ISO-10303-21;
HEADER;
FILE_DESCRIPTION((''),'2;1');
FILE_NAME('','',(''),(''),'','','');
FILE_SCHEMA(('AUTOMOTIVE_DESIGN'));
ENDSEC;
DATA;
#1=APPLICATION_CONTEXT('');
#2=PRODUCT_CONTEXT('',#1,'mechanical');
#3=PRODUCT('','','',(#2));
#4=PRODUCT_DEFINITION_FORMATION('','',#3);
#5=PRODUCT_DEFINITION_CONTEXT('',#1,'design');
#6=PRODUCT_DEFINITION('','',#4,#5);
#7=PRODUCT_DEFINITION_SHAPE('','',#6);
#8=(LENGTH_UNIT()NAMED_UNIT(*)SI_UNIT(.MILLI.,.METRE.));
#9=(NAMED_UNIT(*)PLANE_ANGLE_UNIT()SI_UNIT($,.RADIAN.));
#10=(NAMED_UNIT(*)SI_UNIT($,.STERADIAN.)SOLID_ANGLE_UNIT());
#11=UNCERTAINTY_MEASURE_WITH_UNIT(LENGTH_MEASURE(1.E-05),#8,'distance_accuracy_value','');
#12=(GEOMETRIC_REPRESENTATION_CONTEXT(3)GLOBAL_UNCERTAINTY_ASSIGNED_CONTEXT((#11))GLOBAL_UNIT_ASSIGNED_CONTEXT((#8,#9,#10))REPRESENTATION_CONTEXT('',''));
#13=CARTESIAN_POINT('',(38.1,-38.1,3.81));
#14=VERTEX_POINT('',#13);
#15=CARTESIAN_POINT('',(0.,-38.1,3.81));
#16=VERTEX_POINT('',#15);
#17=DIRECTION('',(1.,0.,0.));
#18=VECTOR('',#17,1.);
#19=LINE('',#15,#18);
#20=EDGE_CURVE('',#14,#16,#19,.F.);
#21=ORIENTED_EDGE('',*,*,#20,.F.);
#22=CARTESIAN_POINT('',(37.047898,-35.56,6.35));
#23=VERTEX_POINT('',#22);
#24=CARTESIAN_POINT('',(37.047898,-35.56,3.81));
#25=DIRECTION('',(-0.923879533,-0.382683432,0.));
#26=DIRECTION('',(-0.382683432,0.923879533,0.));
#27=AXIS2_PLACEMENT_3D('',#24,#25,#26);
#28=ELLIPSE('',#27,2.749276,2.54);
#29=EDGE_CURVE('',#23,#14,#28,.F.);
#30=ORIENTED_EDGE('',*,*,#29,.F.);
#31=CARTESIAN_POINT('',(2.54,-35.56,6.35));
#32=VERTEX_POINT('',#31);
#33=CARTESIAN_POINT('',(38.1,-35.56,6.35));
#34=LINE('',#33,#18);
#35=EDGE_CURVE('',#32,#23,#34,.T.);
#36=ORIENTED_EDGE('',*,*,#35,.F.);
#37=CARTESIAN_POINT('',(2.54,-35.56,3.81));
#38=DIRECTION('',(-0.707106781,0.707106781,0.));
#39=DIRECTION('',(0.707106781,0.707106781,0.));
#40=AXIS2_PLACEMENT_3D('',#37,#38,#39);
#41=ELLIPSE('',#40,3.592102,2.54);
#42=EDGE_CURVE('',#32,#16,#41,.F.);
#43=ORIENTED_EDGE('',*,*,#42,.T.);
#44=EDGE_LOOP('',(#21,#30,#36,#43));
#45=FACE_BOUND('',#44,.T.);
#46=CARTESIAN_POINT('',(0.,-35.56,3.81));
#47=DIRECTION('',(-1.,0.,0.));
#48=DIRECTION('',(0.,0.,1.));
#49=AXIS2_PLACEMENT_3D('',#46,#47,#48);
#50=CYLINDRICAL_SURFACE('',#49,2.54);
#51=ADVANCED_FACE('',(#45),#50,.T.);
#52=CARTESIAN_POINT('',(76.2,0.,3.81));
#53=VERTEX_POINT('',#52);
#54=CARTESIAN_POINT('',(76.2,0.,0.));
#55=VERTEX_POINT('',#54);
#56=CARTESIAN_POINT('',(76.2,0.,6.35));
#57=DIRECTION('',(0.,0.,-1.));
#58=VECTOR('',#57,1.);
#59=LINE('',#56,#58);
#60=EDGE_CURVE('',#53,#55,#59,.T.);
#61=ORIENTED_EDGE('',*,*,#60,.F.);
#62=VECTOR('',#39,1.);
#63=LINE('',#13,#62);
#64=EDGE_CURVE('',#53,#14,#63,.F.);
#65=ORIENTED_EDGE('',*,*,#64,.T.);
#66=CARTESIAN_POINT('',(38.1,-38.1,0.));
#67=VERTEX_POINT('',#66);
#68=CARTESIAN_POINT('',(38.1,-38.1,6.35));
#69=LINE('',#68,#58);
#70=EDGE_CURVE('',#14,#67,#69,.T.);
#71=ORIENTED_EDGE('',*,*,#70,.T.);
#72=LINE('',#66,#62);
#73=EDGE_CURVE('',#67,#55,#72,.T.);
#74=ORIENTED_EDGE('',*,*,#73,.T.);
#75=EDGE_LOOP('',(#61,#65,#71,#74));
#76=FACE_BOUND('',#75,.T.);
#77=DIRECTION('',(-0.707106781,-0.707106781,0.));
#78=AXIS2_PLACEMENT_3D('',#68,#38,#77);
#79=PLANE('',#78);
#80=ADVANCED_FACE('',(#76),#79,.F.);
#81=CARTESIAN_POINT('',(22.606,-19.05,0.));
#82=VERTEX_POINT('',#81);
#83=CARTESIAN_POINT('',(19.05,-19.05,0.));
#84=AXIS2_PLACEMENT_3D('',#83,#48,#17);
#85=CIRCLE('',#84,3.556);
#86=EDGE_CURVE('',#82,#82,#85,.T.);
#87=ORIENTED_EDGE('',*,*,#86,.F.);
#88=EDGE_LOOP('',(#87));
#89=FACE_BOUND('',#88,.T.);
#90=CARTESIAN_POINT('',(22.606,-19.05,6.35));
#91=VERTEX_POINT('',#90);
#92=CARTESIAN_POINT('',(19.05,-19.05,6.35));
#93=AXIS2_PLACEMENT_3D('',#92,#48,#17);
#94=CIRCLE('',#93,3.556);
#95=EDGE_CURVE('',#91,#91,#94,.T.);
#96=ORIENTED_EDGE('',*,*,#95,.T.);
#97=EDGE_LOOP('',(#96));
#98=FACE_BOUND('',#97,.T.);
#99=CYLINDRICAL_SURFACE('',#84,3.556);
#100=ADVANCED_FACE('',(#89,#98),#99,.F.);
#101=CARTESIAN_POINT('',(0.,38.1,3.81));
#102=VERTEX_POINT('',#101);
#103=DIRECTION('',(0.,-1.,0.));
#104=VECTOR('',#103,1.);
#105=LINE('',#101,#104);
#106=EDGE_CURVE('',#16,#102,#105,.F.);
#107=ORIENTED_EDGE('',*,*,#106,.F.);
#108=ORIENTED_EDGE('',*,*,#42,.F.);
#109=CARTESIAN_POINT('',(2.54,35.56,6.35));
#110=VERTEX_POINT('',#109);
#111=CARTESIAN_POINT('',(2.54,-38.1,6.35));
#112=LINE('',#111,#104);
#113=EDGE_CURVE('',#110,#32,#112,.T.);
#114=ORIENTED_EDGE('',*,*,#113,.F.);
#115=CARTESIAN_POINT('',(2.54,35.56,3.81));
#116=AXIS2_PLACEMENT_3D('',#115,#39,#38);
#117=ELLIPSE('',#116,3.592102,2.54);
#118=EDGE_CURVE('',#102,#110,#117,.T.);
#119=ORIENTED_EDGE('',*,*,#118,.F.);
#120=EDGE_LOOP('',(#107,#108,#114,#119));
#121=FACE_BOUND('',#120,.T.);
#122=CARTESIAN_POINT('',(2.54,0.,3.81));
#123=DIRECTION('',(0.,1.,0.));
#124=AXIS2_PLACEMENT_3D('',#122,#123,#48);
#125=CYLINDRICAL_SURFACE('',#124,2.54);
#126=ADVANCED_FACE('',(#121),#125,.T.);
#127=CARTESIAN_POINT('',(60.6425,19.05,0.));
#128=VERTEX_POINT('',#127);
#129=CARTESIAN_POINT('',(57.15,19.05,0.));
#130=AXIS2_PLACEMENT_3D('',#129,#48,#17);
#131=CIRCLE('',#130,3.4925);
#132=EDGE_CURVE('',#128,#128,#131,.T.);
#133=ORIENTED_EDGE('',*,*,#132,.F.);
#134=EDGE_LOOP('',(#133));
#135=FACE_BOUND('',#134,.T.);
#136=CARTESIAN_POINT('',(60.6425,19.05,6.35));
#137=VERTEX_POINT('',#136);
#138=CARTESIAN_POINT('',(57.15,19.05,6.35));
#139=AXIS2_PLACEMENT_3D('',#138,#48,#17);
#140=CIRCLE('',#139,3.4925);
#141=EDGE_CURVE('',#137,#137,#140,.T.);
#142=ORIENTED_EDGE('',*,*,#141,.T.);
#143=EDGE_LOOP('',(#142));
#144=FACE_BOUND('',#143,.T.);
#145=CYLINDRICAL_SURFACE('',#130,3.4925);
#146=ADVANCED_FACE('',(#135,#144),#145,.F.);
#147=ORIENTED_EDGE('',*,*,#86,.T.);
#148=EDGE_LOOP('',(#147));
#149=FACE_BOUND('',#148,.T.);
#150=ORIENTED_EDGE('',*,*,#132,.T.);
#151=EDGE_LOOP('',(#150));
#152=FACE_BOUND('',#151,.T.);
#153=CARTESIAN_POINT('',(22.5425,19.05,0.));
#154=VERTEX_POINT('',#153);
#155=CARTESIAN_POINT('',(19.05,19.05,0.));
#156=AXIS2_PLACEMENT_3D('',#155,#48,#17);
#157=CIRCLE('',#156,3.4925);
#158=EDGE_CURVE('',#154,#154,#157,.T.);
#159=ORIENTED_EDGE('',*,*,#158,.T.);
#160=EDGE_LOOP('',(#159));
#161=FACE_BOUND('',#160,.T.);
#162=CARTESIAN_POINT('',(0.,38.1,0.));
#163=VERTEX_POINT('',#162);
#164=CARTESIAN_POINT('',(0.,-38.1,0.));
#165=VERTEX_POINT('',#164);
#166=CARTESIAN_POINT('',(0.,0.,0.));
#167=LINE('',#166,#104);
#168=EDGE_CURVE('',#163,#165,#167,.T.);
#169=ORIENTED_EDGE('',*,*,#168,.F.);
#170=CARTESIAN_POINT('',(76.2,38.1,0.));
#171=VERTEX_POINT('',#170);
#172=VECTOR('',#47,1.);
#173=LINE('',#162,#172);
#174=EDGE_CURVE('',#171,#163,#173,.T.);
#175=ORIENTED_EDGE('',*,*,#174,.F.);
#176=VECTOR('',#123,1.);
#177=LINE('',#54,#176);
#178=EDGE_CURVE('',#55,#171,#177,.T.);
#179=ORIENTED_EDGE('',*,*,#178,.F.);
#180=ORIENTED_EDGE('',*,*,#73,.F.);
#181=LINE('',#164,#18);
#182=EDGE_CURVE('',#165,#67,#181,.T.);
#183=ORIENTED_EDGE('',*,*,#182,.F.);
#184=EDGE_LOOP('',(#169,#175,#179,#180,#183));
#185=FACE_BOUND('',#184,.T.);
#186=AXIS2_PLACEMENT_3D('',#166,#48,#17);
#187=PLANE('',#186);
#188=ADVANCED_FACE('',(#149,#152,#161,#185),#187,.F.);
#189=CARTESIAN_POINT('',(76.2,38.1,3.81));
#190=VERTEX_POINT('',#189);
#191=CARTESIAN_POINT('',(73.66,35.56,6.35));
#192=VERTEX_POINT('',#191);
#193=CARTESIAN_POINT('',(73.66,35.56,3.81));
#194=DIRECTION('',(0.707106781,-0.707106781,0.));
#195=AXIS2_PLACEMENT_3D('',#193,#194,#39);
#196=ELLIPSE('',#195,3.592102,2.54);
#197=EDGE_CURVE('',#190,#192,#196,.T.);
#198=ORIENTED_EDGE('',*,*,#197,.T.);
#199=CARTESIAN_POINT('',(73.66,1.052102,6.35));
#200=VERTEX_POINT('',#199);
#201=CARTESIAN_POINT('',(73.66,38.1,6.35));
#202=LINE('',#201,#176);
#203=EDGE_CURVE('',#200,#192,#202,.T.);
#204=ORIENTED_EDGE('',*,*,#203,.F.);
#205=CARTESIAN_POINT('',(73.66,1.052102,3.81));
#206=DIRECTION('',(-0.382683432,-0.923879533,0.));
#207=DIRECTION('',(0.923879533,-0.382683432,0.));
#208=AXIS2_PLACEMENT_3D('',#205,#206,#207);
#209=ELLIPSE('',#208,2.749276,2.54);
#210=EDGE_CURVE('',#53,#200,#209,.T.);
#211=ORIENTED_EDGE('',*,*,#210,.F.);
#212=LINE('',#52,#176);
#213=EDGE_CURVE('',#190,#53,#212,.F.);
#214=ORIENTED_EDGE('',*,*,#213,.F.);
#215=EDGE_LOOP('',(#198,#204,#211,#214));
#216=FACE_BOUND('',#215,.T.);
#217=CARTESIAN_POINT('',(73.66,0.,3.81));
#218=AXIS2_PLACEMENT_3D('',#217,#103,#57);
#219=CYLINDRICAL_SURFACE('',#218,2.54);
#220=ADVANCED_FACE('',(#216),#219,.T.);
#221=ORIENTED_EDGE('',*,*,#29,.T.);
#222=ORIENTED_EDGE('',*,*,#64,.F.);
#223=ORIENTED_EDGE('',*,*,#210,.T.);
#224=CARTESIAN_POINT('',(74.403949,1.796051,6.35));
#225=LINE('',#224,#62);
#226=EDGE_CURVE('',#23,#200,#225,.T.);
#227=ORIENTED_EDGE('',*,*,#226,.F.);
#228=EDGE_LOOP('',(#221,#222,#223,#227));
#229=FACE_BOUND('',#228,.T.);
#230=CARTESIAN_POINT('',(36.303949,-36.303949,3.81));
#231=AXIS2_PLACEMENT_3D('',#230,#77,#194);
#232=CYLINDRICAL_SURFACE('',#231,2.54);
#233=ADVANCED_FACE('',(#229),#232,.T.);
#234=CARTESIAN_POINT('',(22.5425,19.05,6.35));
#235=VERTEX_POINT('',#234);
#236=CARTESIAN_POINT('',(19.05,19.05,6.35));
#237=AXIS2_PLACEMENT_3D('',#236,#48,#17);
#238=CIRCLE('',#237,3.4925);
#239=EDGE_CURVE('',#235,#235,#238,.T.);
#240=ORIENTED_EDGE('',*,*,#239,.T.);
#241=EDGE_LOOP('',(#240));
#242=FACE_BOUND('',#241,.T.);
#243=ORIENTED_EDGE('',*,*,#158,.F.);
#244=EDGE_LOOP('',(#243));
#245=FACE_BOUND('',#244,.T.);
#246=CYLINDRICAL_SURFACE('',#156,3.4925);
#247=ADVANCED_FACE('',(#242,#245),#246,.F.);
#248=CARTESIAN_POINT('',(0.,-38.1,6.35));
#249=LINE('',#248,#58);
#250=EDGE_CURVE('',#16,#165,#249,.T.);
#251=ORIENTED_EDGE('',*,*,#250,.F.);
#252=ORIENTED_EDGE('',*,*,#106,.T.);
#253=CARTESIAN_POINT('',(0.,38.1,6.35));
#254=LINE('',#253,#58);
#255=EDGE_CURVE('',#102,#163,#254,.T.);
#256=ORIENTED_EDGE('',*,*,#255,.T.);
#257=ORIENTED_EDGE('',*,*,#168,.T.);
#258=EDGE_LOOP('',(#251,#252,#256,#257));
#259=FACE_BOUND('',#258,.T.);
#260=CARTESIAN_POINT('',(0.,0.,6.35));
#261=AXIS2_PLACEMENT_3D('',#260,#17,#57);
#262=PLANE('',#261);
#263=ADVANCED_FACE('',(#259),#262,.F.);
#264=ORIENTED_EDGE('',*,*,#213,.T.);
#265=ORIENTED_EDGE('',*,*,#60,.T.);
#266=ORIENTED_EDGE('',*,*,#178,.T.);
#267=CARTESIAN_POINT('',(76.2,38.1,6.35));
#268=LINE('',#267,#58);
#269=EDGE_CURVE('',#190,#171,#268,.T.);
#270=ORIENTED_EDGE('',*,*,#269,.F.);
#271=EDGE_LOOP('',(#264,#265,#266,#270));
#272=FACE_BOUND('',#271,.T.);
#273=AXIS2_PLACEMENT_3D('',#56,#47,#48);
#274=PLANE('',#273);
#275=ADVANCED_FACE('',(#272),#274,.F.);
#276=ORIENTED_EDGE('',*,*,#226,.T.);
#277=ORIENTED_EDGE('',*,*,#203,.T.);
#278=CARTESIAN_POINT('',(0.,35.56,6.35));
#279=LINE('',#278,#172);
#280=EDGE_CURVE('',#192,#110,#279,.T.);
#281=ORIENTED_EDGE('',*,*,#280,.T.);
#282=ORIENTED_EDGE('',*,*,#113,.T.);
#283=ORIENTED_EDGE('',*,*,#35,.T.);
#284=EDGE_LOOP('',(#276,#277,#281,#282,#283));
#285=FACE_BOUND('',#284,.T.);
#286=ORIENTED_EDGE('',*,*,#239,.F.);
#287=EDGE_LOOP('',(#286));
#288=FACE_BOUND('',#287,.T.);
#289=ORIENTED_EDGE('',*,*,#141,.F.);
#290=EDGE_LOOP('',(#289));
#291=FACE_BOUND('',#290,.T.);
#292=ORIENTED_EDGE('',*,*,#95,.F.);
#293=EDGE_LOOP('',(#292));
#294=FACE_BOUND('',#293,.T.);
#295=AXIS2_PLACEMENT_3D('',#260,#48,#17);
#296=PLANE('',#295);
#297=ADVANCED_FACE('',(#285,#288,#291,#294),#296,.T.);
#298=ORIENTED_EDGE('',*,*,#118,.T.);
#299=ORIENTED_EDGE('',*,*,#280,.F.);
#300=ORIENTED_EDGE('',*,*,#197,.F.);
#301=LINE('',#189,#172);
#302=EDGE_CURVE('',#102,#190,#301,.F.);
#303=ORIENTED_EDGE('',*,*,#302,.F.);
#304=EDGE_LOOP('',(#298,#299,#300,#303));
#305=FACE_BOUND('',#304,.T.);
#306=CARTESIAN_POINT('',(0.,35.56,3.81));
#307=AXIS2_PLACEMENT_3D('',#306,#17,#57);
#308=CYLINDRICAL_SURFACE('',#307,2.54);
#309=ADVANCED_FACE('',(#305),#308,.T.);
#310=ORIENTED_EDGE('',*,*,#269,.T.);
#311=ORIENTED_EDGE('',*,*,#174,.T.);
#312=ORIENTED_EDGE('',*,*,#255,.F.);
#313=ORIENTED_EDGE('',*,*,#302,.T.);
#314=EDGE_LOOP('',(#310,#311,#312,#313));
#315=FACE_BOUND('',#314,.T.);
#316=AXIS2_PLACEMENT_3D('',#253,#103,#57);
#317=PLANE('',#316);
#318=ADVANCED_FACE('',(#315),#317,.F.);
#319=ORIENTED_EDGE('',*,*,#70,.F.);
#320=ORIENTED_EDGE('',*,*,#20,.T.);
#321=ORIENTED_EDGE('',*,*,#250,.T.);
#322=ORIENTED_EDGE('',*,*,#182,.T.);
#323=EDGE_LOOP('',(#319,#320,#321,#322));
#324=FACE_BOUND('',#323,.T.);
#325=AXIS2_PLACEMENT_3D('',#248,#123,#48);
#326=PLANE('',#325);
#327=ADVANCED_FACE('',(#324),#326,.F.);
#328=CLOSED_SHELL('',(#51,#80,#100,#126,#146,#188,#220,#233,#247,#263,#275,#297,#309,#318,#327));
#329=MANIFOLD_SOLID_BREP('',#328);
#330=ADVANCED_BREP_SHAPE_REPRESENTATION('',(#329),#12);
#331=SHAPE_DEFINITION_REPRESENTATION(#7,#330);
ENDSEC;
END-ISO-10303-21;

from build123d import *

# Parameters (mm, degrees)
BOSS_EXTRUDE1_DEPTH = 6.35
SKETCH2_R           = 3.4925
SKETCH2_R_2         = 3.556
CUT_EXTRUDE1_DEPTH  = 6.35
FILLET1_R           = 2.54


with BuildPart() as part:
    # Sketch1 → Boss-Extrude1 (new body)
    with BuildSketch(Plane.XY):
        Polygon((38.1, -38.1), (76.2, 0), (76.2, 38.1), (0, 38.1), (0, 0), (0, -38.1), align=None)
    extrude(amount=BOSS_EXTRUDE1_DEPTH)

    # Sketch2 → Cut-Extrude1 (cut)
    with BuildSketch(Plane.XY.offset(6.35)):
        with Locations((19.05, 19.05)):
            Circle(SKETCH2_R)
        with Locations((57.15, 19.05)):
            Circle(SKETCH2_R)
        with Locations((19.05, -19.05)):
            Circle(SKETCH2_R_2)
    extrude(amount=-CUT_EXTRUDE1_DEPTH, mode=Mode.SUBTRACT)

    # Fillet1
    fillet1_edges = [part.edges().sort_by_distance(p)[0] for p in [
        (57.15, -19.05, 6.35),
        (76.2, 19.05, 6.35),
        (38.1, 38.1, 6.35),
        (0, 0, 6.35),
        (19.05, -38.1, 6.35),
    ]]
    fillet(fillet1_edges, radius=FILLET1_R)


solid = part.part
